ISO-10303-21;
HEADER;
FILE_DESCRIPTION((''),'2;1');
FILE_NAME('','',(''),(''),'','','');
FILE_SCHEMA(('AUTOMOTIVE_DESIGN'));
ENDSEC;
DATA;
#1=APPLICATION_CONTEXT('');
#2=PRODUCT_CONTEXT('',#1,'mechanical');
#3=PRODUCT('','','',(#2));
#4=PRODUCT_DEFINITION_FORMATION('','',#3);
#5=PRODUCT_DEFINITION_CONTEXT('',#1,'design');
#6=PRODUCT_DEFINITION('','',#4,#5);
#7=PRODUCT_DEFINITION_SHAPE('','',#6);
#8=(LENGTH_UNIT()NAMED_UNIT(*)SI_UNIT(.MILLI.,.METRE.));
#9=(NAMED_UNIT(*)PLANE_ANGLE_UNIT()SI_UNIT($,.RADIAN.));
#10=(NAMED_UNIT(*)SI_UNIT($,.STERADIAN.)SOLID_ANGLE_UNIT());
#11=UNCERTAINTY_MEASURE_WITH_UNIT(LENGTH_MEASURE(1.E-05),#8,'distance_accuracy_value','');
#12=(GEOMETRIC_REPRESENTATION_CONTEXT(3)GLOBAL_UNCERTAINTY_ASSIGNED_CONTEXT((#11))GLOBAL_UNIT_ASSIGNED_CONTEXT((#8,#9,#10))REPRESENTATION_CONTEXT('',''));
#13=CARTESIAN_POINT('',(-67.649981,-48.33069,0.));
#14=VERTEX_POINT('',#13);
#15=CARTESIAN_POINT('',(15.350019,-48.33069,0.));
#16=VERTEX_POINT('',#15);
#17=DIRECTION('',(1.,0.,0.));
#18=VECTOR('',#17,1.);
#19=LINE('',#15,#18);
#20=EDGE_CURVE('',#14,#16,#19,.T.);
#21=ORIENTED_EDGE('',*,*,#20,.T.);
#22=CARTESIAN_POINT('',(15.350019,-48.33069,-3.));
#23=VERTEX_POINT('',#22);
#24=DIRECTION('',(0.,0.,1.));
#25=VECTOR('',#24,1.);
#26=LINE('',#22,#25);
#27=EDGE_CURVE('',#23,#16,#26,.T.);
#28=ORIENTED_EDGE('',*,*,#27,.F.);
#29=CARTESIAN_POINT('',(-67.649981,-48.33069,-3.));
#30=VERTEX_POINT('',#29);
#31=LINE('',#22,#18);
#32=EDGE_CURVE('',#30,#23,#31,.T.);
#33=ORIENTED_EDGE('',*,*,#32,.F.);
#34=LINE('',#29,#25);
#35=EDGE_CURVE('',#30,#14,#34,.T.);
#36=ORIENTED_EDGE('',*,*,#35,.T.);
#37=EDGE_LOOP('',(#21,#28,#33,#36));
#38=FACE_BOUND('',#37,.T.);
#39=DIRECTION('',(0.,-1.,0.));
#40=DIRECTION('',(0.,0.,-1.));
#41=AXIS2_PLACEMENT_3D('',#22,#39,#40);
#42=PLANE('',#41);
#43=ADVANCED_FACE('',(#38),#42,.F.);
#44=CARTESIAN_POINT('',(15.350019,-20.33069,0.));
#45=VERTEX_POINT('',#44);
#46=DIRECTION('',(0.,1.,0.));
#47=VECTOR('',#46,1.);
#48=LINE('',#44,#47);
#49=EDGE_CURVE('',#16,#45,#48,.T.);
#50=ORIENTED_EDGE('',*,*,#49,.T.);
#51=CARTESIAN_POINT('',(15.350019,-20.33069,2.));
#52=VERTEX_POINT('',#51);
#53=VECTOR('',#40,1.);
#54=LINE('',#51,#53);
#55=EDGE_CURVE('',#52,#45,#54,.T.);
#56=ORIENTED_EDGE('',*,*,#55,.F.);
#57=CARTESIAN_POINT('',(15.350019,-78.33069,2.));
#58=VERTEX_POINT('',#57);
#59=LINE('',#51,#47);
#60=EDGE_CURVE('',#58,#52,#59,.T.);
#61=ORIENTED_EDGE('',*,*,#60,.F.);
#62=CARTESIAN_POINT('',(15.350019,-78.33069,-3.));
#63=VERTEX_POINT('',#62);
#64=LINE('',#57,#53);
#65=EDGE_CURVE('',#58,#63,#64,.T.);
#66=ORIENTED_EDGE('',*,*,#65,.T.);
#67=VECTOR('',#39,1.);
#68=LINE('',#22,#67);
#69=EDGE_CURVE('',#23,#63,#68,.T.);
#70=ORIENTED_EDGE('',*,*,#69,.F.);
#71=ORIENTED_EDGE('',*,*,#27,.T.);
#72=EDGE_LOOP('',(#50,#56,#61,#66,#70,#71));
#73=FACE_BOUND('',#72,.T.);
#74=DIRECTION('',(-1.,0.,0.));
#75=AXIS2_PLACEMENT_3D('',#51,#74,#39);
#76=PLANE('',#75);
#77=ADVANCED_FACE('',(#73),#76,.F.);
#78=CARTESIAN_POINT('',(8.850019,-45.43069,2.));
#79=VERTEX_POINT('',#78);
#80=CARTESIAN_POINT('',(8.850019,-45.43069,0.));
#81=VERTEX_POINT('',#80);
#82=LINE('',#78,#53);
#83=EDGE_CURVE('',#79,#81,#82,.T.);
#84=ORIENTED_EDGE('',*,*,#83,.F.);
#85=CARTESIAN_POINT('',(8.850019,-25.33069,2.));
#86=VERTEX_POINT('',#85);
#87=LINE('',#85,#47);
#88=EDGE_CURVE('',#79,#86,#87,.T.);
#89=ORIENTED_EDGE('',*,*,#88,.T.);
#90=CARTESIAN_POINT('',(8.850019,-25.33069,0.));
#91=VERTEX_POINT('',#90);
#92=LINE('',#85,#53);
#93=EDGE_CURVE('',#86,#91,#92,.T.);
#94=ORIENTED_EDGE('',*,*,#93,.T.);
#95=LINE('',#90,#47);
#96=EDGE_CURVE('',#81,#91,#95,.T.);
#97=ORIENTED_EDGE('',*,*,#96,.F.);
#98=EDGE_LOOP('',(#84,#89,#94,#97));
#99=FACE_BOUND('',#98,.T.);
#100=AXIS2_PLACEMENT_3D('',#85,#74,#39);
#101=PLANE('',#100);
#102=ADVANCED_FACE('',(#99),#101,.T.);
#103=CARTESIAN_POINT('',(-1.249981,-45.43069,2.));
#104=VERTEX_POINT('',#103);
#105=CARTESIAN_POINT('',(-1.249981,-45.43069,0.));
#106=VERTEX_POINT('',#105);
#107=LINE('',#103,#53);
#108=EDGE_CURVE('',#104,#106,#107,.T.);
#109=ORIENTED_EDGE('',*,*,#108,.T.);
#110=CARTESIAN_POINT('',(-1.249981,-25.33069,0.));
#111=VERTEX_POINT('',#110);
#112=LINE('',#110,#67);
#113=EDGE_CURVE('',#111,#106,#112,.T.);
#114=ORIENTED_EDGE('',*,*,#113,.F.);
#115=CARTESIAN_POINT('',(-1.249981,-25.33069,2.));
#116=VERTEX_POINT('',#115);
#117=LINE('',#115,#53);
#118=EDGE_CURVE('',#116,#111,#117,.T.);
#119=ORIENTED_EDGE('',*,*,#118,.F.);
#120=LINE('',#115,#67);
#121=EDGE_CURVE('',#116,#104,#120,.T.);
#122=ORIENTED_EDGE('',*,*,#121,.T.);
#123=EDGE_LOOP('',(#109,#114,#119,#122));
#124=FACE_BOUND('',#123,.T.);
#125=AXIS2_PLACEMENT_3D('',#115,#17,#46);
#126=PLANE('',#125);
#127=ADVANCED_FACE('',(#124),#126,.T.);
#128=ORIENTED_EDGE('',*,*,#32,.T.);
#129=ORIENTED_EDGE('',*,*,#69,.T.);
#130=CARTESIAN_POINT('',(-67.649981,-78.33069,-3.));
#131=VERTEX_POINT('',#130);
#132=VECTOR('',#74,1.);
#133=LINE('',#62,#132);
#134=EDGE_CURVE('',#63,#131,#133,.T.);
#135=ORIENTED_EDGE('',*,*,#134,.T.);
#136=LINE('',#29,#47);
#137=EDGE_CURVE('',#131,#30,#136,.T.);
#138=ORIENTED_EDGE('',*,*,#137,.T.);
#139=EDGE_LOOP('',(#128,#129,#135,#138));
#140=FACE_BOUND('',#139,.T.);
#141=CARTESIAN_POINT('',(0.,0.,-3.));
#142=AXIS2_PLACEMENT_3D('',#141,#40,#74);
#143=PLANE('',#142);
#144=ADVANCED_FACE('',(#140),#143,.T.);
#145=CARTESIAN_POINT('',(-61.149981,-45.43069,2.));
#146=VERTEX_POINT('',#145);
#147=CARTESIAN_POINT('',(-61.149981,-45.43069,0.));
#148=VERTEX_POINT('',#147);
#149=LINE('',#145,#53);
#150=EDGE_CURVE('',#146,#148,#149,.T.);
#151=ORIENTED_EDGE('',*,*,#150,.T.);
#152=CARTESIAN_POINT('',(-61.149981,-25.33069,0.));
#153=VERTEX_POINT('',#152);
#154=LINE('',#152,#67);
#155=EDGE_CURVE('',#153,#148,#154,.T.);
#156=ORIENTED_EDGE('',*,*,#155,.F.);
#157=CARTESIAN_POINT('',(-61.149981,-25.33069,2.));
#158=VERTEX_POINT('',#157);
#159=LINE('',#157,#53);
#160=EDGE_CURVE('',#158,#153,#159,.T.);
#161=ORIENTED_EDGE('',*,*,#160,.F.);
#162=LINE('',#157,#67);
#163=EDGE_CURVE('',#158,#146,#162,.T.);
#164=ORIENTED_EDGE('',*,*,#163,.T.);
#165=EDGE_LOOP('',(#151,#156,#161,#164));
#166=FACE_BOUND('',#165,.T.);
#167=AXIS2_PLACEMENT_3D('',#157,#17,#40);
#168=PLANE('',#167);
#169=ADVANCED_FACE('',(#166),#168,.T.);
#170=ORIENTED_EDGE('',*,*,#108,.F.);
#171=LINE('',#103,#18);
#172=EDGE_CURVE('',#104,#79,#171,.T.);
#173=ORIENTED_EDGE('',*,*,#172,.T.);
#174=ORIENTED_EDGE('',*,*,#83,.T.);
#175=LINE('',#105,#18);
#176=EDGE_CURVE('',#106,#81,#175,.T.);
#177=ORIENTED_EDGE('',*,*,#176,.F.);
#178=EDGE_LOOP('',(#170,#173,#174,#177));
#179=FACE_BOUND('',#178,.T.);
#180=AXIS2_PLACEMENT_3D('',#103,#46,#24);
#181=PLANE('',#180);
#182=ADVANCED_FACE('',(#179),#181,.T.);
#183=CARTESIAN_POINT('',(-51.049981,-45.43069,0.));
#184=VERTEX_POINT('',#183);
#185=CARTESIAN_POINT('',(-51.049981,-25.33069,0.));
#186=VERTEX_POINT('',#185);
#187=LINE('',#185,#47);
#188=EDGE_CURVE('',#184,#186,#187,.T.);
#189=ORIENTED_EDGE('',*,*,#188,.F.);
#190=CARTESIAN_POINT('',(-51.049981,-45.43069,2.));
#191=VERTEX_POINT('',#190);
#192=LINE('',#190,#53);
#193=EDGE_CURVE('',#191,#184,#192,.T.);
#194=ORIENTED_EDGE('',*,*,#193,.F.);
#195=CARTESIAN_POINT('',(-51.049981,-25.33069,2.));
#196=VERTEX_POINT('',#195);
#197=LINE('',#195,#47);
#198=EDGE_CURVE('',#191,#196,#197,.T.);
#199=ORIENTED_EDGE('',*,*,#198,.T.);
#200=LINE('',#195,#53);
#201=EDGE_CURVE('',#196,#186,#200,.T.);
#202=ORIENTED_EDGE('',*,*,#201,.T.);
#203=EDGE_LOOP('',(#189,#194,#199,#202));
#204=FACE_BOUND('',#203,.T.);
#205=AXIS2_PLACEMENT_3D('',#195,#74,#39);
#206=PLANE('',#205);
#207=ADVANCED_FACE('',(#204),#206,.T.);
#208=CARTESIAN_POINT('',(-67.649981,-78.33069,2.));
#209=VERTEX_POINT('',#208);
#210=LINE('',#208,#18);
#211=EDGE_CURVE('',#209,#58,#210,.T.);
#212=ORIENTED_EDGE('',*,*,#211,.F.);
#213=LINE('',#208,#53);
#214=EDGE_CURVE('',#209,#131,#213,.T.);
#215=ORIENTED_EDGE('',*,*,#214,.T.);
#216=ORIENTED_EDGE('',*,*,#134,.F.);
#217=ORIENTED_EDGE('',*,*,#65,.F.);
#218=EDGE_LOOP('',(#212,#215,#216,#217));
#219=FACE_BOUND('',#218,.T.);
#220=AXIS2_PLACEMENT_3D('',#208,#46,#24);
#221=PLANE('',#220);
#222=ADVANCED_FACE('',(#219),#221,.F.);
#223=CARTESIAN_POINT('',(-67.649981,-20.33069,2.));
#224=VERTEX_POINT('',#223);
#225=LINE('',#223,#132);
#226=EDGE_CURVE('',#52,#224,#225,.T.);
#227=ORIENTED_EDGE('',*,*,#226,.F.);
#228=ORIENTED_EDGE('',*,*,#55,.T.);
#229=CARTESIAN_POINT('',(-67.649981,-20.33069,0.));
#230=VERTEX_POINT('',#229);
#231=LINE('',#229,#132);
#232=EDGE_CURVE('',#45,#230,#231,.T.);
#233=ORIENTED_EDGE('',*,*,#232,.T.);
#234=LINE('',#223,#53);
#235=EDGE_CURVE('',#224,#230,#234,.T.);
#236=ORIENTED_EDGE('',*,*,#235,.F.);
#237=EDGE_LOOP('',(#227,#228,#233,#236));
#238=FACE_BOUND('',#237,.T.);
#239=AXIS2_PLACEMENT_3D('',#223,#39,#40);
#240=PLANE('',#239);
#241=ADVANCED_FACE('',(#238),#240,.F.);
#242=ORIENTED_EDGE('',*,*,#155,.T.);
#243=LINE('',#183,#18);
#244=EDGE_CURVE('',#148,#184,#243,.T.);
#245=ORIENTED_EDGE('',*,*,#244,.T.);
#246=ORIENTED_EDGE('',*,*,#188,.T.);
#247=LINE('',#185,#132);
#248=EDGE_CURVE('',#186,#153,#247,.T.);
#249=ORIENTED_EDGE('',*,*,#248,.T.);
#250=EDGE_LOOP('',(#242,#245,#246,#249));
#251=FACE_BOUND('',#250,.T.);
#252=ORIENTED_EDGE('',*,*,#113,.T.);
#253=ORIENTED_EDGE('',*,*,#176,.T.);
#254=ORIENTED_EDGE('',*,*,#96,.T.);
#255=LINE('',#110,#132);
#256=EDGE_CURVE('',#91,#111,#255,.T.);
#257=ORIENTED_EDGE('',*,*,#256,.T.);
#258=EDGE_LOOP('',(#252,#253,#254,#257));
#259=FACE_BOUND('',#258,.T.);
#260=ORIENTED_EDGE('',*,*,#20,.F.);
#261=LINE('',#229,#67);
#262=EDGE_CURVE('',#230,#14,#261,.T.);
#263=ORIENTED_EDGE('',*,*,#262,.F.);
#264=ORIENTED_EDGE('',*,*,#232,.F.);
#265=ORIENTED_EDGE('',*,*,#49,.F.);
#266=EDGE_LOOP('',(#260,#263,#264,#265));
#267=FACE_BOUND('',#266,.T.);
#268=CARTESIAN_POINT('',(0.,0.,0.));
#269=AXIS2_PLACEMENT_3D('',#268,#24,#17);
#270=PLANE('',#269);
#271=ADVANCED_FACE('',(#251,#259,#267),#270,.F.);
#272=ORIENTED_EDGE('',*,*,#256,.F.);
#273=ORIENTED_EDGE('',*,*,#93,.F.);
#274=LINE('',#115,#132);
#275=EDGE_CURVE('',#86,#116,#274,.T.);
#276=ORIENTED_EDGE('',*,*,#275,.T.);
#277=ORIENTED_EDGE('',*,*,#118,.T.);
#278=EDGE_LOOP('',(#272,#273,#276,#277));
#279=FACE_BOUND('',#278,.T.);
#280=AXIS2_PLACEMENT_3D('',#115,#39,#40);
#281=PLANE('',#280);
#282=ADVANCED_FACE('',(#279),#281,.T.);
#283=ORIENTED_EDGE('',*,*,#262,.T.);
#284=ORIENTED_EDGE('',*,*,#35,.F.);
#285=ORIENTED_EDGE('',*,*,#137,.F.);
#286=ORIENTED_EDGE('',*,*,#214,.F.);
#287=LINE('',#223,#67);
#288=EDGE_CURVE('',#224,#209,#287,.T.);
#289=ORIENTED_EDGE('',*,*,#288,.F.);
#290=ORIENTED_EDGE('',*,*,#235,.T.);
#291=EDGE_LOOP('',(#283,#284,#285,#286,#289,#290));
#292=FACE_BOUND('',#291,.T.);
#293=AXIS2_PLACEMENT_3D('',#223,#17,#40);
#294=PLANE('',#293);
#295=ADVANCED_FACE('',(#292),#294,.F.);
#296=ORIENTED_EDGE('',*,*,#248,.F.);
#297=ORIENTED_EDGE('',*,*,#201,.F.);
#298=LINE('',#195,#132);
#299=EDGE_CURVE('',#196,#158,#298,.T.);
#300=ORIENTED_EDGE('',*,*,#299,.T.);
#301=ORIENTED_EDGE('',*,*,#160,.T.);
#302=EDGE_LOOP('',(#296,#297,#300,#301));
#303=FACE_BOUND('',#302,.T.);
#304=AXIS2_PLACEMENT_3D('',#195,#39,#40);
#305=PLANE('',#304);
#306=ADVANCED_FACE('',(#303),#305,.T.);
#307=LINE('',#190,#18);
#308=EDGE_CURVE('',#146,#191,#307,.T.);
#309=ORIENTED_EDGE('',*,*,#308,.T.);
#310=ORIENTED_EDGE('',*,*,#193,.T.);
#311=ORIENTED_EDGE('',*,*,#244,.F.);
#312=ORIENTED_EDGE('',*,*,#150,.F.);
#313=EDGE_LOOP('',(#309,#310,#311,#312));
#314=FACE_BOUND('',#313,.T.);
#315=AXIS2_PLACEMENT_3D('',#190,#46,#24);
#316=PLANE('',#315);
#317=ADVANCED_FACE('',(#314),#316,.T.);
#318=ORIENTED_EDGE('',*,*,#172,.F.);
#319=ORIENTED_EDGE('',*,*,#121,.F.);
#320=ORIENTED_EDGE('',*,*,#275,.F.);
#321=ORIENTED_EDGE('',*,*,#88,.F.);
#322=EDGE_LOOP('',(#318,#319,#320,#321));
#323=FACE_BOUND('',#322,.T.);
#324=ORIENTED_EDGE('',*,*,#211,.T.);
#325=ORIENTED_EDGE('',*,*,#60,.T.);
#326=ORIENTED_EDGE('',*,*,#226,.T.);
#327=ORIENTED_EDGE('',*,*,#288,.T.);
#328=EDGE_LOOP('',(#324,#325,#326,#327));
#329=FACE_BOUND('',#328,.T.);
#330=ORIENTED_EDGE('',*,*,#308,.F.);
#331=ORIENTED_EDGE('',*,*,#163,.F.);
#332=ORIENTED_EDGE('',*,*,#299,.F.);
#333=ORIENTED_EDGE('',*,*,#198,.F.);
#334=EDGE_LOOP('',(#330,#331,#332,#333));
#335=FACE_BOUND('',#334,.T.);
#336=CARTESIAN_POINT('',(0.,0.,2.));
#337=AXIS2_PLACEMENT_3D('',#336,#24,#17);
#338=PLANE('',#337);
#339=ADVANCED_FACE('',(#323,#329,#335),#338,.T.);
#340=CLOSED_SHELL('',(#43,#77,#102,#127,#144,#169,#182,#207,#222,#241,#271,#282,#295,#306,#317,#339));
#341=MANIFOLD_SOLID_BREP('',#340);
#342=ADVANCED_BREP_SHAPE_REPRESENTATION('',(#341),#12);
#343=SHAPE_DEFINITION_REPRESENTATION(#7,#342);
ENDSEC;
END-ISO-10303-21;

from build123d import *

# Parameters (mm, degrees)
SKETCH_1_W      = 83
SKETCH_1_H      = 58
SKETCH_1_W_2    = 10.1
SKETCH_1_H_2    = 20.1
EXTRUDE_1_DEPTH = 2
SKETCH_2_W      = 83
SKETCH_2_H      = 30
EXTRUDE_2_DEPTH = 3


with BuildPart() as part:
    # 草图1 → 凸台-拉伸1 (new body)
    with BuildSketch(Plane.XY):
        with Locations((-26.149980732, -49.330690158)):
            Rectangle(SKETCH_1_W, SKETCH_1_H)
        with Locations((3.800019268, -35.380690158)):
            Rectangle(SKETCH_1_W_2, SKETCH_1_H_2, mode=Mode.SUBTRACT)
        with Locations((-56.099980732, -35.380690158)):
            Rectangle(SKETCH_1_W_2, SKETCH_1_H_2, mode=Mode.SUBTRACT)
    extrude(amount=EXTRUDE_1_DEPTH)

    # 草图2 → 凸台-拉伸2 (add)
    with BuildSketch(Plane(origin=(0, 0, 0), x_dir=(-1, 0, 0), z_dir=(0, 0, -1))):
        with Locations((26.149980732, -63.330690158)):
            Rectangle(SKETCH_2_W, SKETCH_2_H)
    extrude(amount=EXTRUDE_2_DEPTH)


solid = part.part
